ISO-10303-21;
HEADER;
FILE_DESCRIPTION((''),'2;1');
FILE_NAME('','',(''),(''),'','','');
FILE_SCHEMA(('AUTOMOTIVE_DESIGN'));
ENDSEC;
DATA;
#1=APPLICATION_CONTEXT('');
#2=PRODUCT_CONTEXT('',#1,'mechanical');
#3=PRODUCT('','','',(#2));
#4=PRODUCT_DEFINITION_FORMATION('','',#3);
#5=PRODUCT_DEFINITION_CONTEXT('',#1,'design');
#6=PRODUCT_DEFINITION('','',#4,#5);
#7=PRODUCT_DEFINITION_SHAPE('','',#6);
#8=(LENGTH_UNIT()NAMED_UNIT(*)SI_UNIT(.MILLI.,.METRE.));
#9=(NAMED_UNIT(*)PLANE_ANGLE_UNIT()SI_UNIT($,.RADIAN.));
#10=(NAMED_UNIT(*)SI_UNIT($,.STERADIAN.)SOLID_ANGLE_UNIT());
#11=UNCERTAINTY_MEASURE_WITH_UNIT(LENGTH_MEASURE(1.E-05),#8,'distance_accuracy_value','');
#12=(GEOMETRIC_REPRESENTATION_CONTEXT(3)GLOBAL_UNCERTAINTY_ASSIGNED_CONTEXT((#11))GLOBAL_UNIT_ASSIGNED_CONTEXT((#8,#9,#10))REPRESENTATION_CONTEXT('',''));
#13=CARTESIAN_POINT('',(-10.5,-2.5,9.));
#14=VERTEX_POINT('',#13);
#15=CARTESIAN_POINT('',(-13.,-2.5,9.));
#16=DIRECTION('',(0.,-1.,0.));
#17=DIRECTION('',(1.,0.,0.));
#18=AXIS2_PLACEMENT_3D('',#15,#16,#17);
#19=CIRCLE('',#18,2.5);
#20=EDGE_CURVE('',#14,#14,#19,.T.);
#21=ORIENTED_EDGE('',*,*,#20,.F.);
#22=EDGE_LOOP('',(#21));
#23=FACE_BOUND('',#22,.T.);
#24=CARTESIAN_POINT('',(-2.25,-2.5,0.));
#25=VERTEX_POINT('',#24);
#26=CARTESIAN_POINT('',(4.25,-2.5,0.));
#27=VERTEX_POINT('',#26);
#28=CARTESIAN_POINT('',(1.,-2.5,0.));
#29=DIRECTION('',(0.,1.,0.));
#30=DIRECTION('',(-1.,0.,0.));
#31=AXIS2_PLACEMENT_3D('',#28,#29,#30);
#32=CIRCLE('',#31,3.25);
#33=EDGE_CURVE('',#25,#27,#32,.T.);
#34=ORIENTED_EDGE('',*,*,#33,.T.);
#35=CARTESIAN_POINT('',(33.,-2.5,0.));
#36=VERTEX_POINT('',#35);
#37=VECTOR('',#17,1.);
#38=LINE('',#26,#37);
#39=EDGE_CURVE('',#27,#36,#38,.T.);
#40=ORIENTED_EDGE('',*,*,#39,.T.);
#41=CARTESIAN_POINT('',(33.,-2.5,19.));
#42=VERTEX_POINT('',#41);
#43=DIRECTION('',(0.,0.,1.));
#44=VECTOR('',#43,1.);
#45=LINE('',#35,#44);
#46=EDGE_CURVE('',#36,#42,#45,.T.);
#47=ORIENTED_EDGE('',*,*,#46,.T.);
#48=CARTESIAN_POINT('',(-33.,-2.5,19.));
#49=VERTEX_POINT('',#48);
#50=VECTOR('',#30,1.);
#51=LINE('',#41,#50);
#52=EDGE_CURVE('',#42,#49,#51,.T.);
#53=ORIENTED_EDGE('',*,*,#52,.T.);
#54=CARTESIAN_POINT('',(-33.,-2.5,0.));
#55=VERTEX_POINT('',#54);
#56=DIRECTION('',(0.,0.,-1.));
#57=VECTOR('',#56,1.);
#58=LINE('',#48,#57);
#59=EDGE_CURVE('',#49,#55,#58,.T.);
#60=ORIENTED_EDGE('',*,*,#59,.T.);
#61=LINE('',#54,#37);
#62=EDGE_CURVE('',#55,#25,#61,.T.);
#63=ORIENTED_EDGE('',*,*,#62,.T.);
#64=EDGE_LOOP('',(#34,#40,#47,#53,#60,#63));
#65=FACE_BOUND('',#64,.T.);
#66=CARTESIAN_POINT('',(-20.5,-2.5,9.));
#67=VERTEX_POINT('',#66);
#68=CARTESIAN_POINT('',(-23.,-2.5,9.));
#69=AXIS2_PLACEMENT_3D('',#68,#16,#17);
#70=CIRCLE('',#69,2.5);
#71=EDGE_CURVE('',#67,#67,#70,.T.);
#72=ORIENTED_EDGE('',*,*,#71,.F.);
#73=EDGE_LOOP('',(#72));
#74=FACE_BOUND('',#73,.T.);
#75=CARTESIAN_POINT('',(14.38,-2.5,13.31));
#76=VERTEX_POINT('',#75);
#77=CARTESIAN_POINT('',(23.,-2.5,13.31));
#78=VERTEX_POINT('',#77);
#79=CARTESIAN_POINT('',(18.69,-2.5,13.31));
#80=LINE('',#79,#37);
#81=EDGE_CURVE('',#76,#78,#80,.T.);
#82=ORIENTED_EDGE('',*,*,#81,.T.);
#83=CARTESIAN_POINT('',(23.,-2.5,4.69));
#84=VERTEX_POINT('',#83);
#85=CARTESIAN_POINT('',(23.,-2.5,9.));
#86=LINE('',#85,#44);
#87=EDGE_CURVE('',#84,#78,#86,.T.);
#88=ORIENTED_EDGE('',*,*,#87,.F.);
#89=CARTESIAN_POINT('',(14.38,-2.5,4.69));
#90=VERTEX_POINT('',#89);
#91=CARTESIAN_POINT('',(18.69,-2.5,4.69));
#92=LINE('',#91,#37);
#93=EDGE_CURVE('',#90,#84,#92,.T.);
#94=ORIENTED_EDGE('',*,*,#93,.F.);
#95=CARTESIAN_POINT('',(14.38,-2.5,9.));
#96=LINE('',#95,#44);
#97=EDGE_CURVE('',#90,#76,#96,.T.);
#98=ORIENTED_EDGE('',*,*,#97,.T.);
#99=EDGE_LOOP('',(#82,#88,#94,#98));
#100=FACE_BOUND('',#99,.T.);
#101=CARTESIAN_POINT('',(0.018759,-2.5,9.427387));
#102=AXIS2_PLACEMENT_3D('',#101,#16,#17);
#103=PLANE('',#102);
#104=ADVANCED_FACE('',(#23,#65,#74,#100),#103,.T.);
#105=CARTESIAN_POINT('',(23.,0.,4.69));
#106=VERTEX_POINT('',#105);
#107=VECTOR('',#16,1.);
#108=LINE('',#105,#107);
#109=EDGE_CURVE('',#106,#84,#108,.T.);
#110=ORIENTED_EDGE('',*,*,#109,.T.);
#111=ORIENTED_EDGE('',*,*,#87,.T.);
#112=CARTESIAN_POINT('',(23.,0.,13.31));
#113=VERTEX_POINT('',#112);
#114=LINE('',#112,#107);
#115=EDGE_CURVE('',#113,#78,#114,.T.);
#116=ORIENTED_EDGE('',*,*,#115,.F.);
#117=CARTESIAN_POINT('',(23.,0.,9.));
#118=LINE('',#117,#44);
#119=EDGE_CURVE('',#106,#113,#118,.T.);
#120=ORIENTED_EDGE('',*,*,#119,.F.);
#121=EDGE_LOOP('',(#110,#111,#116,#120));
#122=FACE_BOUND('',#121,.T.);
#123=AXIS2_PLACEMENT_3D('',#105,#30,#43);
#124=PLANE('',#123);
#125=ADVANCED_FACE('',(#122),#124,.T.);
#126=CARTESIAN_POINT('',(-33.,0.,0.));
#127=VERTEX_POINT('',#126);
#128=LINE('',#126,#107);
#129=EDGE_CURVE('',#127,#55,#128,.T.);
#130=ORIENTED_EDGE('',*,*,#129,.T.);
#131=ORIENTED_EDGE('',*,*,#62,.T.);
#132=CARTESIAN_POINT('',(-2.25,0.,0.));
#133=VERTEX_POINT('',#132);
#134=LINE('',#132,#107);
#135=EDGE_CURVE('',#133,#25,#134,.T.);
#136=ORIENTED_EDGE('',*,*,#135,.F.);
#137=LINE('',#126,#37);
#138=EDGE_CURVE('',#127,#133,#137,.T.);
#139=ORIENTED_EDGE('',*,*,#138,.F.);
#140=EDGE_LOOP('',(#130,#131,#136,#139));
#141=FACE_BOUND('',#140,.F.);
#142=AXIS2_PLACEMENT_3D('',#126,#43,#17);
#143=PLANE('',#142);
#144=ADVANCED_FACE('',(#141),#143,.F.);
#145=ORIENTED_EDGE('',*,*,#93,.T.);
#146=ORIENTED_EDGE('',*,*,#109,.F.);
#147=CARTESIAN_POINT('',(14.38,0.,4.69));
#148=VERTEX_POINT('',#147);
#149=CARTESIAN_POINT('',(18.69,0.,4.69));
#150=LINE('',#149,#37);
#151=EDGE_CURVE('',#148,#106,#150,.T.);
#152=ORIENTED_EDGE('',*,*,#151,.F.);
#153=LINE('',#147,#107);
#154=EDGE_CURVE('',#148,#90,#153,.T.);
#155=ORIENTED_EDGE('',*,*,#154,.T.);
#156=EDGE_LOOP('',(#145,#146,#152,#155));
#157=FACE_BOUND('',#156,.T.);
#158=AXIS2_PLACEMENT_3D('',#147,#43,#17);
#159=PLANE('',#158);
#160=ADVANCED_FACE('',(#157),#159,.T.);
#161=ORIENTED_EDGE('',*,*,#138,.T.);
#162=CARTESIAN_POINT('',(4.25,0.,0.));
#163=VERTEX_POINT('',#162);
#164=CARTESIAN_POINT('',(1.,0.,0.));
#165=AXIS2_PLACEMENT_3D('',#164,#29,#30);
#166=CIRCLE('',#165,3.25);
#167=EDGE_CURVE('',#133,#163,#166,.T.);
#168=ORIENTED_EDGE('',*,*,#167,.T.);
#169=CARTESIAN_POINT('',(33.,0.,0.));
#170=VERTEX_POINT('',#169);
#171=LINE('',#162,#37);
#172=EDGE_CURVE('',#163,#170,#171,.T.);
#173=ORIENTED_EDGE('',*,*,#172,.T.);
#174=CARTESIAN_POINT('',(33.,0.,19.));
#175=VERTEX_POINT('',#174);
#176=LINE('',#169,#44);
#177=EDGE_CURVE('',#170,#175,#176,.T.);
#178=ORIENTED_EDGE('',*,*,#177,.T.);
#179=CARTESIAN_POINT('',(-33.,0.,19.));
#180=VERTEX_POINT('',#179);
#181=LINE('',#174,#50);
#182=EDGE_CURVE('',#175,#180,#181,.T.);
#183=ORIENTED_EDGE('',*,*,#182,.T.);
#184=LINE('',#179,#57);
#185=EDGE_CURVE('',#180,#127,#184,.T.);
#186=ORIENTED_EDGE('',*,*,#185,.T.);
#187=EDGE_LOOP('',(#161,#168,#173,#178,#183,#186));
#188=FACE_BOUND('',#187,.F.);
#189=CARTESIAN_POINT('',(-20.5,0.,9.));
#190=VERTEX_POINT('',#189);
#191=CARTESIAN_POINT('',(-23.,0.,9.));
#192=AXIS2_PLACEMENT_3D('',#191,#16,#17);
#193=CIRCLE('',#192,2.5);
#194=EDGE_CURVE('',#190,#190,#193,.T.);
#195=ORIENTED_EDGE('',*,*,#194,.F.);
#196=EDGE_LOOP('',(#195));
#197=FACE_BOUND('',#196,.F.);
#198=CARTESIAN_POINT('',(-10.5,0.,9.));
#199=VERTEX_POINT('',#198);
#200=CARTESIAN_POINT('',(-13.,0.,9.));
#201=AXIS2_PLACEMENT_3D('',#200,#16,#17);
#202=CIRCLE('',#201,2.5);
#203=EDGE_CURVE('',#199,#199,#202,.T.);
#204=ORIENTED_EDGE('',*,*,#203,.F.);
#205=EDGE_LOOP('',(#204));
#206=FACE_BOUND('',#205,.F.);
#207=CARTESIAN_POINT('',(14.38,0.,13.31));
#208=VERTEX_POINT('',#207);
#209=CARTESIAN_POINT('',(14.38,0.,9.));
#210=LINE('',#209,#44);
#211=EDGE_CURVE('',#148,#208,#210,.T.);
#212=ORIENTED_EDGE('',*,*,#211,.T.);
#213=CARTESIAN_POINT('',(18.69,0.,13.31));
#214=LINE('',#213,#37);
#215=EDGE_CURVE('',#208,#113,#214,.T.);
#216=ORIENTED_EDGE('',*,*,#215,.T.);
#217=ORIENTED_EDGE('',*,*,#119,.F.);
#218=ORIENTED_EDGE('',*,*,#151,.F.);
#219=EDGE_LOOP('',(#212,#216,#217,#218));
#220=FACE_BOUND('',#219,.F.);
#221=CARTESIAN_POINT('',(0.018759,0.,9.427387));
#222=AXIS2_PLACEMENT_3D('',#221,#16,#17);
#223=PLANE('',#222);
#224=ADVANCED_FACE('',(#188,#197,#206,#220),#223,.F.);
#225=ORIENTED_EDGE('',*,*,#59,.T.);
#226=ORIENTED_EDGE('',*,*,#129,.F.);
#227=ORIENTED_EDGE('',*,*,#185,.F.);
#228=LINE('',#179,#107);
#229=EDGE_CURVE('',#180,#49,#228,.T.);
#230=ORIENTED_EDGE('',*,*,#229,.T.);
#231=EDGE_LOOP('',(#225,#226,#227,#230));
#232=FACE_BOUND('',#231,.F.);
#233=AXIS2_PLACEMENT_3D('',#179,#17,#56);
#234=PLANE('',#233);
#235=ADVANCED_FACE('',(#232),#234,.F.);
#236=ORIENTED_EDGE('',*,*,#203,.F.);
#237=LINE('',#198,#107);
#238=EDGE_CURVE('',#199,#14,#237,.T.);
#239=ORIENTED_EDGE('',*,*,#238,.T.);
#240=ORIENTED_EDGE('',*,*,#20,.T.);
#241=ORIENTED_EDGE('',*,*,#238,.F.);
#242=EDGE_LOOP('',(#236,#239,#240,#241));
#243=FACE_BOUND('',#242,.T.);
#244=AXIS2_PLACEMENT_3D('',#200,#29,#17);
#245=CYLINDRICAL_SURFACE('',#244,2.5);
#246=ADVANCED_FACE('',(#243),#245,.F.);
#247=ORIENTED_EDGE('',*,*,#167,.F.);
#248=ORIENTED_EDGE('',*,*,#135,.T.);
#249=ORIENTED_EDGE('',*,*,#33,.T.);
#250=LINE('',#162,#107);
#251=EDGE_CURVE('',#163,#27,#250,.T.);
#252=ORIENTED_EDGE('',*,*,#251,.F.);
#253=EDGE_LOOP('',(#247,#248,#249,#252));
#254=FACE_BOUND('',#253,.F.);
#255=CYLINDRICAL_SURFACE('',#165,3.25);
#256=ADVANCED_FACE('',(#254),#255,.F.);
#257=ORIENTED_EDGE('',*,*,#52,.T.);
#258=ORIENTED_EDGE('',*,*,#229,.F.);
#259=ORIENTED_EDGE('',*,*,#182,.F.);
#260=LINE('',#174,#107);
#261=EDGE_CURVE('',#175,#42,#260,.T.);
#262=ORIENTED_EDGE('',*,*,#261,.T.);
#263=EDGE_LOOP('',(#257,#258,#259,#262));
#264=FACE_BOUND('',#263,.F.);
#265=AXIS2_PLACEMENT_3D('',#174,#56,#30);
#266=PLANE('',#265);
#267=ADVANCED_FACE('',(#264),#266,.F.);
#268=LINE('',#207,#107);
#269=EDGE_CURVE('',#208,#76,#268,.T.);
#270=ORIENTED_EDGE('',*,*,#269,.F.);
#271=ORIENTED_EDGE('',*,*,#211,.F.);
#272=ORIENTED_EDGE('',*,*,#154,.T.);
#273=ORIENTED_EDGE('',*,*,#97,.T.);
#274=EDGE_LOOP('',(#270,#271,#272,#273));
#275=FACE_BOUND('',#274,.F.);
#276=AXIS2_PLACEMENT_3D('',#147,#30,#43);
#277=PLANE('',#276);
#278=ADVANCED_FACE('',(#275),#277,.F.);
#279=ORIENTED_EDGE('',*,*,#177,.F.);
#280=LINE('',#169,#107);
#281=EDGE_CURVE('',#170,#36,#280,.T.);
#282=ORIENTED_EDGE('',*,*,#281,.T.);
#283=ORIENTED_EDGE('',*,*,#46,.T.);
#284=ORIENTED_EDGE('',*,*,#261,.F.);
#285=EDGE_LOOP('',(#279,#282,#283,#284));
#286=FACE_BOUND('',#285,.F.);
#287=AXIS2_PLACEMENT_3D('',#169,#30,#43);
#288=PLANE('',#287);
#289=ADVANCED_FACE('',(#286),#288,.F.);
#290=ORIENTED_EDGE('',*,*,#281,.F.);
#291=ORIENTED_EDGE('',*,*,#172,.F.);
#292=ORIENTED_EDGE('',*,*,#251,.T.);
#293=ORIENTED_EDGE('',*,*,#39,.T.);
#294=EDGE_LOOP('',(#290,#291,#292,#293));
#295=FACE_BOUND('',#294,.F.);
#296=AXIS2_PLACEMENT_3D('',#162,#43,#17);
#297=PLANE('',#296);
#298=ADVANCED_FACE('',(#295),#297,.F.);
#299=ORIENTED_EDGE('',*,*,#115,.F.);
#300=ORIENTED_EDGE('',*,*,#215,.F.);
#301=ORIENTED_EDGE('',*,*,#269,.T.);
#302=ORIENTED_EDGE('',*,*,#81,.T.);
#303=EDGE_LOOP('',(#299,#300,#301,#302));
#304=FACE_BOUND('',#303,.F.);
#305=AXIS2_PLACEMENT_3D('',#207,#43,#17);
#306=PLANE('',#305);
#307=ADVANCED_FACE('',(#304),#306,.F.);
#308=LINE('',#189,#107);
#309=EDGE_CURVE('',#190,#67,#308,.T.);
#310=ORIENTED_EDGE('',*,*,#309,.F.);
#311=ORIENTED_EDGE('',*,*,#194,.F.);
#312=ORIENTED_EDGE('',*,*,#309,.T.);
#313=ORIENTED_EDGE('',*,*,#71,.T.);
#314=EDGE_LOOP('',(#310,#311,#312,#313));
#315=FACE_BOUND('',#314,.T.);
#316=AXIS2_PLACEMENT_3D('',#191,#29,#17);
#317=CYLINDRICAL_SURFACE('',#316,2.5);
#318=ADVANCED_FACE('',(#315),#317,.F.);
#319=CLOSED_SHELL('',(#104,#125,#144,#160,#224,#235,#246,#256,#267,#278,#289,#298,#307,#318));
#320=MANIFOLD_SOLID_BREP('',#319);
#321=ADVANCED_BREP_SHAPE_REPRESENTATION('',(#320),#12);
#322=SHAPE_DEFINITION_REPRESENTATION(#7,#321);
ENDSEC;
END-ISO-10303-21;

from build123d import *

# Parameters (mm, degrees)
F0_R     = 2.5
F0_W     = 8.62
F0_H     = 8.62
F1_DEPTH = 2.5
F2_DEPTH = 2.5


with BuildPart() as f1:
    # F0 (on Front) → F1 (new body)
    with BuildSketch(Plane.XZ):
        with BuildLine():
            Line((-33, 19), (-33, 0))
            Line((-33, 0), (-2.25, 0))
            ThreePointArc((-2.25, 0), (1, 3.25), (4.25, 0))
            Line((4.25, 0), (33, 0))
            Line((33, 0), (33, 19))
            Line((33, 19), (-33, 19))
        make_face()
        with Locations((-23, 9)):
            Circle(F0_R, mode=Mode.SUBTRACT)
        with Locations((-13, 9)):
            Circle(F0_R, mode=Mode.SUBTRACT)
        with Locations((18.69, 9)):
            Rectangle(F0_W, F0_H, mode=Mode.SUBTRACT)
    extrude(amount=F1_DEPTH)

    # F0 (on Front) → F2 (join)
    with BuildSketch(Plane.XZ):
        with BuildLine():
            Line((-33, 19), (-33, 0))
            Line((-33, 0), (-2.25, 0))
            ThreePointArc((-2.25, 0), (1, 3.25), (4.25, 0))
            Line((4.25, 0), (33, 0))
            Line((33, 0), (33, 19))
            Line((33, 19), (-33, 19))
        make_face()
        with Locations((-23, 9)):
            Circle(F0_R, mode=Mode.SUBTRACT)
        with Locations((-13, 9)):
            Circle(F0_R, mode=Mode.SUBTRACT)
        with Locations((18.69, 9)):
            Rectangle(F0_W, F0_H, mode=Mode.SUBTRACT)
    extrude(amount=F2_DEPTH)


solid = f1.part
